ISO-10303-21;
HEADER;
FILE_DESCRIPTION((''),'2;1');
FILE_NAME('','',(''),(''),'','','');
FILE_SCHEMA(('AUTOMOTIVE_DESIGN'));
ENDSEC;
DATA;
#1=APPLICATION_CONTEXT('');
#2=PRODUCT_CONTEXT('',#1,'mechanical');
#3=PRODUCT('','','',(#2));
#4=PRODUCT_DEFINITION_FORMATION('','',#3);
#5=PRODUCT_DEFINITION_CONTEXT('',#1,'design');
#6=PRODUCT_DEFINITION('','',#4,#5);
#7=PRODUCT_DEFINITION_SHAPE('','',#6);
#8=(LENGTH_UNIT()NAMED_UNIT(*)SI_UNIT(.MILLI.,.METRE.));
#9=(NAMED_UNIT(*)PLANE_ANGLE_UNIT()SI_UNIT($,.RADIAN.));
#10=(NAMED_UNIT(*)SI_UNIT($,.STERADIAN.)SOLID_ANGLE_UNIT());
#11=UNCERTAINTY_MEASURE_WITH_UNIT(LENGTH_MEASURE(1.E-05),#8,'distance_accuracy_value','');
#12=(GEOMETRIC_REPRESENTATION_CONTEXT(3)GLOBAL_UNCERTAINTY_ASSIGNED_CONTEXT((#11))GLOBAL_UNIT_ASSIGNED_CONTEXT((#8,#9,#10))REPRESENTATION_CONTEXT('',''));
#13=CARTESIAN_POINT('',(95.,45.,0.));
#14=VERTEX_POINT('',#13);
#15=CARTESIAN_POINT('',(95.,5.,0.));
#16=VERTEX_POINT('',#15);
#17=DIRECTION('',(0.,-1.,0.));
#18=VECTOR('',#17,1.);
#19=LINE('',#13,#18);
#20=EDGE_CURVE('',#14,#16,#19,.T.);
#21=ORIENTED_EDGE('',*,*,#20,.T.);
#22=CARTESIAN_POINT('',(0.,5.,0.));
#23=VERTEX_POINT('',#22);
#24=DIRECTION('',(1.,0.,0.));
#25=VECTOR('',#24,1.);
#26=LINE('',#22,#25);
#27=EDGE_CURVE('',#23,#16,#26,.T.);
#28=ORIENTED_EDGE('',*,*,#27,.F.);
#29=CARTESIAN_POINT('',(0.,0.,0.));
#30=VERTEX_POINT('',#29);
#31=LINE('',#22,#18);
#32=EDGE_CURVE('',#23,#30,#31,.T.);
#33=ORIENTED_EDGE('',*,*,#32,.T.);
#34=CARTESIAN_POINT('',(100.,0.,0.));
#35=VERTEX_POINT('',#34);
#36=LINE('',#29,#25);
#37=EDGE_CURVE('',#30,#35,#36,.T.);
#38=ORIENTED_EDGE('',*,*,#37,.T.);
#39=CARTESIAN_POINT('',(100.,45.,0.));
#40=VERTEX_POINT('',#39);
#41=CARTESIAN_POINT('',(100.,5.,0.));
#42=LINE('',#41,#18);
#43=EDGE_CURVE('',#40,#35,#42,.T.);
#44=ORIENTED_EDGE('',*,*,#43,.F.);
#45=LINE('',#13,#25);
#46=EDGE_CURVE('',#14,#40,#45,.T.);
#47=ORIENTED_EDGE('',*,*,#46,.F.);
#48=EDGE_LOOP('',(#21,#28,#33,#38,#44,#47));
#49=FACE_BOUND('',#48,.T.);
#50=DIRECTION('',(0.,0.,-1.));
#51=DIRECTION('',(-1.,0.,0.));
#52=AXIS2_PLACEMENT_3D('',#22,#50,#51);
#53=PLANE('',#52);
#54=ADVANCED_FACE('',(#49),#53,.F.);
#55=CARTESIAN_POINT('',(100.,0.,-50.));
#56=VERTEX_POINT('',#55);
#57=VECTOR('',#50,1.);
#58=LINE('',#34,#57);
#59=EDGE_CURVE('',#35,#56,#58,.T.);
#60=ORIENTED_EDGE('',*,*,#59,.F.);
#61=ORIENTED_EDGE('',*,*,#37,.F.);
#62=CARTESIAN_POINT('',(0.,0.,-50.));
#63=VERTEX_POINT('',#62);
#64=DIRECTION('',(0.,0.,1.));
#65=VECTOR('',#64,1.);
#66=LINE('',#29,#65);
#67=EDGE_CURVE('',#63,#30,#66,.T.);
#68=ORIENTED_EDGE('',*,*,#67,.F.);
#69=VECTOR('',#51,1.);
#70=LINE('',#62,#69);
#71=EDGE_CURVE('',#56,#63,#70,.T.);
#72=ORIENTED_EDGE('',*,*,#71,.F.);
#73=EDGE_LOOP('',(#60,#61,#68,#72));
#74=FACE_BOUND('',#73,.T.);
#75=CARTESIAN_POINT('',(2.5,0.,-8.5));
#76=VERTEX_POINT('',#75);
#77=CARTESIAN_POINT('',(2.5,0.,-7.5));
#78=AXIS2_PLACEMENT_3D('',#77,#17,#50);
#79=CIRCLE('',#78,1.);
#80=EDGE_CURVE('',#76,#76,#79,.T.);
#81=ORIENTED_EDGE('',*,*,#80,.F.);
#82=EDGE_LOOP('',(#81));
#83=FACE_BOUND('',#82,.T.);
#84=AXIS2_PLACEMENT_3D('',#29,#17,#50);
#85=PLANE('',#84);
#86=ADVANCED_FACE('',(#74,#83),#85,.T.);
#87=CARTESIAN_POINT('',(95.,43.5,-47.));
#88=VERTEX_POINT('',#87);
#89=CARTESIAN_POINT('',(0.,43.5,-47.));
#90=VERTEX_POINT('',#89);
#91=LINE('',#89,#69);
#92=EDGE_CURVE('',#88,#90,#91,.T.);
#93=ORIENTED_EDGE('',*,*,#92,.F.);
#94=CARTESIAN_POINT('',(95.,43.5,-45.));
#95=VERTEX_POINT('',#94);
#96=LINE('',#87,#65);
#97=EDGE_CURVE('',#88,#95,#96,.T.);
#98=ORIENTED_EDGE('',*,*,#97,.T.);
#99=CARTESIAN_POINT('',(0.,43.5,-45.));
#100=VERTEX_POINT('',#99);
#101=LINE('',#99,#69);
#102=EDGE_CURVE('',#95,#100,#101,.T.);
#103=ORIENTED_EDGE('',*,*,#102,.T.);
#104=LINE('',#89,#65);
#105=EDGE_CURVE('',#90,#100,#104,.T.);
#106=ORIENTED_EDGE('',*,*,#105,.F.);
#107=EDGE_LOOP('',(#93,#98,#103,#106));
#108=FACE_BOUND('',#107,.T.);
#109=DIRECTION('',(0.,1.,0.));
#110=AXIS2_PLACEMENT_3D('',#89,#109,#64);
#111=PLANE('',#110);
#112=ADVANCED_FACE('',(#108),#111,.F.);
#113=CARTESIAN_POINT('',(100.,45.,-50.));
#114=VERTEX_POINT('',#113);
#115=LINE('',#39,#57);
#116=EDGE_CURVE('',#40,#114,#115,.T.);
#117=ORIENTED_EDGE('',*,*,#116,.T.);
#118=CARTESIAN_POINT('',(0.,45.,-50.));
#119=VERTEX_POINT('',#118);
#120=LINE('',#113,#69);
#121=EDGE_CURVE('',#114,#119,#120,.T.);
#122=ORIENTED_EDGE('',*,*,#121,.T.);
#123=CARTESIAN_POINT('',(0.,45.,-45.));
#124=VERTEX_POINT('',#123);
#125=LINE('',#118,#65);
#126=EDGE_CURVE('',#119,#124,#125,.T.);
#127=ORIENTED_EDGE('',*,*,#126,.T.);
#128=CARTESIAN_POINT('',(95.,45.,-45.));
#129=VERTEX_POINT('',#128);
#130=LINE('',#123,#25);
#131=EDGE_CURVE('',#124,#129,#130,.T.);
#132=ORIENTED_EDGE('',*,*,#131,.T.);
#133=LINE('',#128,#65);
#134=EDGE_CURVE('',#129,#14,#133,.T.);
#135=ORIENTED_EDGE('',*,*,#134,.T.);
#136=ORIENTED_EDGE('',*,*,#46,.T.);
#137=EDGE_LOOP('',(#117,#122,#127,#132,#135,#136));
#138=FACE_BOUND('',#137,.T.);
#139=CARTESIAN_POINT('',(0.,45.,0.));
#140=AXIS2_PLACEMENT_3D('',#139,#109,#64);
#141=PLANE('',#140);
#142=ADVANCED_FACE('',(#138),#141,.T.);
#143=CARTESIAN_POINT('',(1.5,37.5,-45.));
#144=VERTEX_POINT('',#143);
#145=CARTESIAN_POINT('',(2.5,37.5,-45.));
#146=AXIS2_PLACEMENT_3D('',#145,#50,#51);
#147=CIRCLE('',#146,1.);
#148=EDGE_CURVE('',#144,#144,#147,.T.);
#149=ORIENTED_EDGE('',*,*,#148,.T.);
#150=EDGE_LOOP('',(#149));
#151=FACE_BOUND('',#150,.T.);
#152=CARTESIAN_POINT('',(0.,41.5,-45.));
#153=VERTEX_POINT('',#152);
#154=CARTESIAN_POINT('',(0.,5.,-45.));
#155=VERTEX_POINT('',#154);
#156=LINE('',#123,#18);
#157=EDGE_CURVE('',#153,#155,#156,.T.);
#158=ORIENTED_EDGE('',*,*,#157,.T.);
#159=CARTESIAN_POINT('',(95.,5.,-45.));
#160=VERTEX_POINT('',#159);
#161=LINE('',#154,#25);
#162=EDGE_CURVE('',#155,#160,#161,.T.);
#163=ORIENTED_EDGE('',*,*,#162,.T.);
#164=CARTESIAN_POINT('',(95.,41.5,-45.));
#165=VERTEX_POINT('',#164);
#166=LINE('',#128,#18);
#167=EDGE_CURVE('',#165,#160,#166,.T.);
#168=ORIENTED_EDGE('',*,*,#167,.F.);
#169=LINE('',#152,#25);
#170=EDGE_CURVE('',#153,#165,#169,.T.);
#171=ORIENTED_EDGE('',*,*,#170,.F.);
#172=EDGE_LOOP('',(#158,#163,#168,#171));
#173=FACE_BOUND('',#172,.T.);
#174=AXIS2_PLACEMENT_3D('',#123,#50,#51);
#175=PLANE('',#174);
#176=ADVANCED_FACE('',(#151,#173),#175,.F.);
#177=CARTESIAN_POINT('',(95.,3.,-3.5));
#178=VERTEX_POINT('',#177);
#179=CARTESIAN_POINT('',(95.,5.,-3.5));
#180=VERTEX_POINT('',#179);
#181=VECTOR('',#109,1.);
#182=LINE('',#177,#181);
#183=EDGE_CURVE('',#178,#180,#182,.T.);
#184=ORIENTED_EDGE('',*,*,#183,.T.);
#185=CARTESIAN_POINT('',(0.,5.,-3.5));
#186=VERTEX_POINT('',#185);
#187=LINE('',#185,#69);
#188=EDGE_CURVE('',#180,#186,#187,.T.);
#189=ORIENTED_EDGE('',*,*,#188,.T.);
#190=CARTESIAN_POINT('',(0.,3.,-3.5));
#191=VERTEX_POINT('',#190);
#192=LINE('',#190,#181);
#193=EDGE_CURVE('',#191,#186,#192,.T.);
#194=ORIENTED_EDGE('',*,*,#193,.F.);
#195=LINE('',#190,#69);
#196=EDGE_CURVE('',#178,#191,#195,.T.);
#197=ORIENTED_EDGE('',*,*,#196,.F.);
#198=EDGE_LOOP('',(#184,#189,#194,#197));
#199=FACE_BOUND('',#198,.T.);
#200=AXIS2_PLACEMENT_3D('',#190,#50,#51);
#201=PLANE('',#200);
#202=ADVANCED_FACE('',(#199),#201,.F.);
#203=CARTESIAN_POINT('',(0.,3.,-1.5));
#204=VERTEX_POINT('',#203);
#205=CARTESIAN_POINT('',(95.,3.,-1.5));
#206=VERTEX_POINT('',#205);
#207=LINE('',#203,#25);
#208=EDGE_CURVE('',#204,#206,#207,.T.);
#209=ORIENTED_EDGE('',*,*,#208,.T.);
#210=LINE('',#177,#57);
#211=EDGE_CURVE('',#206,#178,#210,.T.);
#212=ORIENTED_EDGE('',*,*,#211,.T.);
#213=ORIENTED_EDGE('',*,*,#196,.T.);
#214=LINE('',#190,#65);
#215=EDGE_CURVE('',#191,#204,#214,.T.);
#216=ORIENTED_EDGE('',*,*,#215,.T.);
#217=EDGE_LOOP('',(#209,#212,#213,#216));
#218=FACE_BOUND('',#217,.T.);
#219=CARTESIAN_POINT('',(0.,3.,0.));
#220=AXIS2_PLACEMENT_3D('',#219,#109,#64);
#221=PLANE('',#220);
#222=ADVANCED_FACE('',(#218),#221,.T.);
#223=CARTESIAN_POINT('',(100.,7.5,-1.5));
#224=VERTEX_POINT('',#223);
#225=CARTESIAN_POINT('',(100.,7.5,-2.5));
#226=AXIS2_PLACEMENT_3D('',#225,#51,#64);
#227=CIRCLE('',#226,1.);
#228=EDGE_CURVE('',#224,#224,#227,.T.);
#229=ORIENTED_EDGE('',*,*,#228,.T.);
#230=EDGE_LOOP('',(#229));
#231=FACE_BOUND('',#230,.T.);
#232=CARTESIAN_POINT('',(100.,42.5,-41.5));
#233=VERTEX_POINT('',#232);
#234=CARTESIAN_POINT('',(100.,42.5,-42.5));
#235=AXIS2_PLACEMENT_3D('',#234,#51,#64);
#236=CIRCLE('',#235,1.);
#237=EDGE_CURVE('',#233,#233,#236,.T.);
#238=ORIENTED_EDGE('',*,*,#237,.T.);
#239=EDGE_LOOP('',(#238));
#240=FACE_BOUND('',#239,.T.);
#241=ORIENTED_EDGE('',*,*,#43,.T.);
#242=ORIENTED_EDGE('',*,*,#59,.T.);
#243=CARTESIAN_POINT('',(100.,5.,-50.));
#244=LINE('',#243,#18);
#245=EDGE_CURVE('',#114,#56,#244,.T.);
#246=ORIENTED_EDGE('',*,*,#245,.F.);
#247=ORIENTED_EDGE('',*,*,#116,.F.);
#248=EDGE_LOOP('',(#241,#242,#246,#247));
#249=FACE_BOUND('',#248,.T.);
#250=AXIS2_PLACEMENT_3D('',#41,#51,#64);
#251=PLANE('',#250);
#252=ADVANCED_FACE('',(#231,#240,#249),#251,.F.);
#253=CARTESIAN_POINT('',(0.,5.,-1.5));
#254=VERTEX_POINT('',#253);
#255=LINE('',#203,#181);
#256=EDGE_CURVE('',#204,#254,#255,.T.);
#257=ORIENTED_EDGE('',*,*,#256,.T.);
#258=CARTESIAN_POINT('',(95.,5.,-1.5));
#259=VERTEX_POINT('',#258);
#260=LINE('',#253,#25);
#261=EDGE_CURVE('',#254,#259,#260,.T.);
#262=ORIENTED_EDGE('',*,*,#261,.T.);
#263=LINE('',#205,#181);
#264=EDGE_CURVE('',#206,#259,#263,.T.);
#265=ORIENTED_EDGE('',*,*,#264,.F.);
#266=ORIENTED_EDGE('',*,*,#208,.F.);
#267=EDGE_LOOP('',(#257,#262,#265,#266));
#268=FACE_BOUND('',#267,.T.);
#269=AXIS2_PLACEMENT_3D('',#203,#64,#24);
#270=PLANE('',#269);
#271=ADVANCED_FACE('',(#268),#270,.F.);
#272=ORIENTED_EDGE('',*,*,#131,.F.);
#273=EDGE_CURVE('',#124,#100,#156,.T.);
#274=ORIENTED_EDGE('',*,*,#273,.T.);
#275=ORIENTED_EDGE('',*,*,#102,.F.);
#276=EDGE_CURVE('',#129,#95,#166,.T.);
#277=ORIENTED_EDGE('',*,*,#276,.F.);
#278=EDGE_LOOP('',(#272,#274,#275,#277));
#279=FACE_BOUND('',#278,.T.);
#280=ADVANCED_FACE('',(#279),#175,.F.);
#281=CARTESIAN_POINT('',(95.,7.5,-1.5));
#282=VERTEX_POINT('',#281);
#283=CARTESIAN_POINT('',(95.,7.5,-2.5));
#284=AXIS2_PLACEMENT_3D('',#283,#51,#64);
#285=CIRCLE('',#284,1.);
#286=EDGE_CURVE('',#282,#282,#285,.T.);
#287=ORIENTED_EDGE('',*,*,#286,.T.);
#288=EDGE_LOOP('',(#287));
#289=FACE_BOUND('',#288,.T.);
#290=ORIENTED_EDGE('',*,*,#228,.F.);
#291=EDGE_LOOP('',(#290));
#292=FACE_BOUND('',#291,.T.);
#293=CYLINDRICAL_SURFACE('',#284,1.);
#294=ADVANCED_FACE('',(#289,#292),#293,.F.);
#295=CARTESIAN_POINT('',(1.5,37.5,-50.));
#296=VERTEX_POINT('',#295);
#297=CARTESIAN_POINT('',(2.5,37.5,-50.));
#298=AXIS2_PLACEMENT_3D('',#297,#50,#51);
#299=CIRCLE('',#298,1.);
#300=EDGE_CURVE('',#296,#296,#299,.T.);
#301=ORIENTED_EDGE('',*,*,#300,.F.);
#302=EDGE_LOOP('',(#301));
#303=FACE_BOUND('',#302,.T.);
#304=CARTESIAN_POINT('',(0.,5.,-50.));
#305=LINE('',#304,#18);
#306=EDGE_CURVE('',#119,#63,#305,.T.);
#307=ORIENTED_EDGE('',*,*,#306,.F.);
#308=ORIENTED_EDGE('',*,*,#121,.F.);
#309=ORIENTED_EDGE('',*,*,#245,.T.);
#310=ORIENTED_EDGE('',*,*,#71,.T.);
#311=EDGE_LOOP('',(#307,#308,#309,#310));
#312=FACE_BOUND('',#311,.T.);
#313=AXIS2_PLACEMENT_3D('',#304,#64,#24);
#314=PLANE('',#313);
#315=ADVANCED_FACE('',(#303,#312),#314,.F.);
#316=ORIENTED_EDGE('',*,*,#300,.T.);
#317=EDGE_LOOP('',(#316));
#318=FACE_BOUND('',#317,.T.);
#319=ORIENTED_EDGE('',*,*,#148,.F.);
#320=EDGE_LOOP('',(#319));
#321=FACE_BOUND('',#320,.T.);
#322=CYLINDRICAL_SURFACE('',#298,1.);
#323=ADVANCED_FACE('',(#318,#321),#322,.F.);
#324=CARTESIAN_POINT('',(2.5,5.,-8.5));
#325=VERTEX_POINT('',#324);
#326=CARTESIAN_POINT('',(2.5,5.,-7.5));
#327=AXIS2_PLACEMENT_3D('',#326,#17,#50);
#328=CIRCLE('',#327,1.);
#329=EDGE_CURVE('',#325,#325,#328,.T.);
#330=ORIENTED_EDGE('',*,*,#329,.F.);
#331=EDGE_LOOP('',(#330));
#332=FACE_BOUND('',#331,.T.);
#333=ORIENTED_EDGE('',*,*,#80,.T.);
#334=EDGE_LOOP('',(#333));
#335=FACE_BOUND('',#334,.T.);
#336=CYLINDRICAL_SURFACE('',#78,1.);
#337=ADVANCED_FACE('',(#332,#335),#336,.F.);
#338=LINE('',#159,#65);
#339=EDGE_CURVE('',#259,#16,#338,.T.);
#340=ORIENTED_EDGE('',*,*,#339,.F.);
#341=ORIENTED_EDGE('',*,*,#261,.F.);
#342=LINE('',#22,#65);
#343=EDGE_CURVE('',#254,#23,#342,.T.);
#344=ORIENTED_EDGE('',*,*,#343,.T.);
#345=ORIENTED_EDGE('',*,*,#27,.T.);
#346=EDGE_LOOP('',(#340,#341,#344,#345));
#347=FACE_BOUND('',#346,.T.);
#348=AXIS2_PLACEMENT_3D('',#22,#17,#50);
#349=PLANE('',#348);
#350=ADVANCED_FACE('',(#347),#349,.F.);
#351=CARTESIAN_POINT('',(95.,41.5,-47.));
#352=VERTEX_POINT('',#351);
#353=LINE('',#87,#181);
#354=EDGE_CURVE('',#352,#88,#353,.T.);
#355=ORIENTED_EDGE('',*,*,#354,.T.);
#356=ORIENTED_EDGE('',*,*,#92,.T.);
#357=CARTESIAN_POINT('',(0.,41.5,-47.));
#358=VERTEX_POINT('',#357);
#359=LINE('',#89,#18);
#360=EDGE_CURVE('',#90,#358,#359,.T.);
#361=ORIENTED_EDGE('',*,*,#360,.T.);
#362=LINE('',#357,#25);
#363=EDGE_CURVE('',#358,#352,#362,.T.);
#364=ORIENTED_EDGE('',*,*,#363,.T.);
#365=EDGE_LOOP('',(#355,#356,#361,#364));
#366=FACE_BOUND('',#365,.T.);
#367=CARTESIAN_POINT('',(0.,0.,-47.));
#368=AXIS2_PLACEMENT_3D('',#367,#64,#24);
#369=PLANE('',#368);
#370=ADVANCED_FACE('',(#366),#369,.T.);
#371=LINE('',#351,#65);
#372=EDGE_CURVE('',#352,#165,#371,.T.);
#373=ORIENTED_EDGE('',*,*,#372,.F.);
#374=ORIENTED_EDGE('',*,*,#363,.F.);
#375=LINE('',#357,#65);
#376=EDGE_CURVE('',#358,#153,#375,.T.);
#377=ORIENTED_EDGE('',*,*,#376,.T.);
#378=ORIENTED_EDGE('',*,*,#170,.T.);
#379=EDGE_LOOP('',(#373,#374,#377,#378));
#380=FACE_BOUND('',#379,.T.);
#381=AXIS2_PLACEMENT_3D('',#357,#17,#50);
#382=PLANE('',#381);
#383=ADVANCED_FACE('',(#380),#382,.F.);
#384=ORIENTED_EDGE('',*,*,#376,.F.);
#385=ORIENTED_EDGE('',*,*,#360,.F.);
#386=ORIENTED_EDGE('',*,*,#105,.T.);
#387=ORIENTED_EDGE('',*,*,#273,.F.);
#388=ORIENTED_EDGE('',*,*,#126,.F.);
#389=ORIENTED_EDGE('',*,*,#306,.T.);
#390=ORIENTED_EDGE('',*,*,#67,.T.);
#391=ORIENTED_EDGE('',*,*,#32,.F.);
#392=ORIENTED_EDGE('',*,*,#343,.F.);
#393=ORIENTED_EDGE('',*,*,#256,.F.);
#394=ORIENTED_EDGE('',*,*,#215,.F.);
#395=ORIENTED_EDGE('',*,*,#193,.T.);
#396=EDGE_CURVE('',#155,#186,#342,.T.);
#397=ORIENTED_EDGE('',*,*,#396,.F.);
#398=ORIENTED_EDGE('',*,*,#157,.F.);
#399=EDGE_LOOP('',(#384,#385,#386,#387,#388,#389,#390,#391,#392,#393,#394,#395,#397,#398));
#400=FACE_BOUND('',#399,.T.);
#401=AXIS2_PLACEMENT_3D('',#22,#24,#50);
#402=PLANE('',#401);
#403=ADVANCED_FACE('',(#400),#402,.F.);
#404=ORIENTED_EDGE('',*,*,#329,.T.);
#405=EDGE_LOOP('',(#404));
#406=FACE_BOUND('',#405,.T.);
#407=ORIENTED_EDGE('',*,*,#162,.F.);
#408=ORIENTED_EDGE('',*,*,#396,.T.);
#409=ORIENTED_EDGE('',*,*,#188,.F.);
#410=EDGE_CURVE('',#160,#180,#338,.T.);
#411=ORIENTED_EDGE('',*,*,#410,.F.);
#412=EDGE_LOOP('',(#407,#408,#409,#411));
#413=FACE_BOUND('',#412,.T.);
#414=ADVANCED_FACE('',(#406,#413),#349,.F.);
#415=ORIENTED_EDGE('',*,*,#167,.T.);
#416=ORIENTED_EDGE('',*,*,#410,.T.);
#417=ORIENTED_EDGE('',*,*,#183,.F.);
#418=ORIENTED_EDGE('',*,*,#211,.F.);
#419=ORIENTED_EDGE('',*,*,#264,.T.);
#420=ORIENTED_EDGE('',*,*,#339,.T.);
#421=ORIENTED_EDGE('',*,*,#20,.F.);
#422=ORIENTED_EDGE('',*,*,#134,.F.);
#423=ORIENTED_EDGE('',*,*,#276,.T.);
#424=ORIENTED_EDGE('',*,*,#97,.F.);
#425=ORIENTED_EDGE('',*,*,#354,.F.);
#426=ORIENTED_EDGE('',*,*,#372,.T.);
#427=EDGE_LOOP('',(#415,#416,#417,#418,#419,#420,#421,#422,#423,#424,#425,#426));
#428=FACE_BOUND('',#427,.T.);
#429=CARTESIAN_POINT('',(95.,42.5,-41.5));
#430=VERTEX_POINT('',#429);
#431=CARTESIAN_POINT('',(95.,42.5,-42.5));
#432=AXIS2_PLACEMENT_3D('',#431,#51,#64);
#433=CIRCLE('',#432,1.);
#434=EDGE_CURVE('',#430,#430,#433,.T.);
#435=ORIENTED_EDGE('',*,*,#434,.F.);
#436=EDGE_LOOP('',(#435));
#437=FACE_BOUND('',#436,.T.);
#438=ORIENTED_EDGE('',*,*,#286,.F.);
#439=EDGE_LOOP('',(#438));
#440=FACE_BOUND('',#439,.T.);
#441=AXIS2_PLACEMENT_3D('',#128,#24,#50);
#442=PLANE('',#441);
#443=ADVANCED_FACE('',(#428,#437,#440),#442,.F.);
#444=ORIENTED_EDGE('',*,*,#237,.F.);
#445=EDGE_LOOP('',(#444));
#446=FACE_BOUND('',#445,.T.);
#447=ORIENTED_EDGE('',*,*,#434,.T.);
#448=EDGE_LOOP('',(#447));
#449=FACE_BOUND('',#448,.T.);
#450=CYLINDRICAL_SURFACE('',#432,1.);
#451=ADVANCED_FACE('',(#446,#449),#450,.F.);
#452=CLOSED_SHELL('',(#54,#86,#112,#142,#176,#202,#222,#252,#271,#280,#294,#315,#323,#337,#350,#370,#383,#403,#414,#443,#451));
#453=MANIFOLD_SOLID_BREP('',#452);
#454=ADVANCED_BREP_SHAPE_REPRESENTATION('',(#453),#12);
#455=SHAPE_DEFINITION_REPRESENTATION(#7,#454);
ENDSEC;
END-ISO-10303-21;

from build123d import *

# Parameters (mm, degrees)
CROQUIS1_W                                  = 100
CROQUIS1_H                                  = 50
SALIENTE_EXTRUIR1_DEPTH                     = 5
SALIENTE_EXTRUIR2_DEPTH                     = 40
CROQUIS3_W                                  = 95
CROQUIS3_H                                  = 2
CORTAR_EXTRUIR1_DEPTH                       = 2
CROQUIS4_W                                  = 95
CROQUIS4_H                                  = 2
CORTAR_EXTRUIR2_DEPTH                       = 2
DI_METRO_DE_TALADRO_2_0_2_1_D               = 2
DI_METRO_DE_TALADRO_2_0_2_2_D               = 2
DI_METRO_DE_TALADRO_2_0_2_2_DEPTH           = 10
DI_METRO_DE_TALADRO_2_0_2_2_TIP             = 0.600860619
DI_METRO_DE_TALADRO_2_0_2_2_ON_FACE_2_D     = 2
DI_METRO_DE_TALADRO_2_0_2_2_ON_FACE_2_DEPTH = 10
DI_METRO_DE_TALADRO_2_0_2_2_ON_FACE_2_TIP   = 0.600860619


with BuildPart() as part:
    # Croquis1 → Saliente-Extruir1 (new body)
    with BuildSketch(Plane(origin=(0, 0, 0), x_dir=(1, 0, 0), z_dir=(0, 1, 0))):
        with Locations((50, 25)):
            Rectangle(CROQUIS1_W, CROQUIS1_H)
    extrude(amount=SALIENTE_EXTRUIR1_DEPTH)

    # Croquis2 → Saliente-Extruir2 (add)
    with BuildSketch(Plane(origin=(0, 5, 0), x_dir=(1, 0, 0), z_dir=(0, 1, 0))):
        Polygon((0, 45), (95, 45), (95, 0), (100, 0), (100, 50), (0, 50), align=None)
    extrude(amount=SALIENTE_EXTRUIR2_DEPTH)

    # Croquis3 → Cortar-Extruir1 (cut)
    with BuildSketch(Plane.XY.offset(-45)):
        with Locations((47.5, 42.5)):
            Rectangle(CROQUIS3_W, CROQUIS3_H)
    extrude(amount=-CORTAR_EXTRUIR1_DEPTH, mode=Mode.SUBTRACT)

    # Croquis4 → Cortar-Extruir2 (cut)
    with BuildSketch(Plane(origin=(0, 5, 0), x_dir=(1, 0, 0), z_dir=(0, 1, 0))):
        with Locations((47.5, 2.5)):
            Rectangle(CROQUIS4_W, CROQUIS4_H)
    extrude(amount=-CORTAR_EXTRUIR2_DEPTH, mode=Mode.SUBTRACT)

    # Diámetro de taladro Ø2.0 (2)1 (through all)
    with Locations(Plane(origin=(95, 42.5, -42.5), x_dir=(0, 0, -1), z_dir=(-1, 0, 0))):
        with Locations((0, 0), (-40, 35)):
            Hole(DI_METRO_DE_TALADRO_2_0_2_1_D / 2)

    # Diámetro de taladro Ø2.0 (2)2
    with Locations(Plane(origin=(2.5, 37.5, -50), x_dir=(-1, 0, 0), z_dir=(0, 0, -1))):
        with Locations((0, 0)):
            Hole(DI_METRO_DE_TALADRO_2_0_2_2_D / 2, depth=DI_METRO_DE_TALADRO_2_0_2_2_DEPTH)
            with Locations((0, 0, -(DI_METRO_DE_TALADRO_2_0_2_2_DEPTH + DI_METRO_DE_TALADRO_2_0_2_2_TIP / 2))):  # 118° drill point
                Cone(0, DI_METRO_DE_TALADRO_2_0_2_2_D / 2, DI_METRO_DE_TALADRO_2_0_2_2_TIP, mode=Mode.SUBTRACT)

    # Diámetro de taladro Ø2.0 (2)2 on face 2
    with Locations(Plane(origin=(2.5, 0, -7.5), x_dir=(0, 0, -1), z_dir=(0, -1, 0))):
        with Locations((0, 0)):
            Hole(DI_METRO_DE_TALADRO_2_0_2_2_ON_FACE_2_D / 2, depth=DI_METRO_DE_TALADRO_2_0_2_2_ON_FACE_2_DEPTH)
            with Locations((0, 0, -(DI_METRO_DE_TALADRO_2_0_2_2_ON_FACE_2_DEPTH + DI_METRO_DE_TALADRO_2_0_2_2_ON_FACE_2_TIP / 2))):  # 118° drill point
                Cone(0, DI_METRO_DE_TALADRO_2_0_2_2_ON_FACE_2_D / 2, DI_METRO_DE_TALADRO_2_0_2_2_ON_FACE_2_TIP, mode=Mode.SUBTRACT)


solid = part.part
